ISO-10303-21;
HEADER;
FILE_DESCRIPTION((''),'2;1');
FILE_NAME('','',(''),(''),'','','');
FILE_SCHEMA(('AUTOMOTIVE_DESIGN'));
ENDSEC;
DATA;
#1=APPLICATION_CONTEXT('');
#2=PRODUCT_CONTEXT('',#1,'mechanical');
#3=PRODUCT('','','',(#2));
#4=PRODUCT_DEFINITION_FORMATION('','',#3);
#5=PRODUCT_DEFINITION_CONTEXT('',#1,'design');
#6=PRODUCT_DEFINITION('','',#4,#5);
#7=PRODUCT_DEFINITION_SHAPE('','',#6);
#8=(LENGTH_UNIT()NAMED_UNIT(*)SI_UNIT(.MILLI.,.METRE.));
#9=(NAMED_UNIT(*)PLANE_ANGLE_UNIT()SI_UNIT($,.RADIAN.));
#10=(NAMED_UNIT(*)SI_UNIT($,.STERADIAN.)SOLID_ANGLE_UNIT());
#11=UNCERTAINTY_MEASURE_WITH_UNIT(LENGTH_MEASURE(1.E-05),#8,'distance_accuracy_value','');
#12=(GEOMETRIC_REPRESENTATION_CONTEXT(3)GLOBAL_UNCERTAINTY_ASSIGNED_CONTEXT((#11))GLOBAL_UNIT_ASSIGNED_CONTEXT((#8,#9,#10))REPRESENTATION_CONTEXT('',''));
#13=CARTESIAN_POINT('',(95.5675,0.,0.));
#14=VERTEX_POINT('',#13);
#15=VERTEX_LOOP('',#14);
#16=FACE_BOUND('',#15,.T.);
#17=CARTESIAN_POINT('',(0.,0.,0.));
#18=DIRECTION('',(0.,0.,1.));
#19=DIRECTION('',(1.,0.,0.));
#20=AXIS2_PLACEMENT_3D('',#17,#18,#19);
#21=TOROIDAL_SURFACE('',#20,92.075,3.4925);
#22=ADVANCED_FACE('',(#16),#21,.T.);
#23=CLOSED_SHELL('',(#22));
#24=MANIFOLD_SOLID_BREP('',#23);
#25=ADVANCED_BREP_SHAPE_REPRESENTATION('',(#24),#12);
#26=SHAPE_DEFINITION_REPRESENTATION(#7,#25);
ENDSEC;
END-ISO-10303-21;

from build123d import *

# Parameters (mm, degrees)
SKETCH1_R = 3.4925


with BuildPart() as part:
    # Sketch1 → Revolve1 (revolve)
    with BuildSketch(Plane(origin=(0, 0, 0), x_dir=(0, -1, 0), z_dir=(1, 0, 0)), mode=Mode.PRIVATE) as revolve1_sk:
        with Locations((92.075, 0)):
            Circle(SKETCH1_R)
    revolve(revolve1_sk.sketch.rotate(Axis((0, 0, 3.4925), (0, 0, -1)), 270), axis=Axis((0, 0, 3.4925), (0, 0, -1)))


solid = part.part
